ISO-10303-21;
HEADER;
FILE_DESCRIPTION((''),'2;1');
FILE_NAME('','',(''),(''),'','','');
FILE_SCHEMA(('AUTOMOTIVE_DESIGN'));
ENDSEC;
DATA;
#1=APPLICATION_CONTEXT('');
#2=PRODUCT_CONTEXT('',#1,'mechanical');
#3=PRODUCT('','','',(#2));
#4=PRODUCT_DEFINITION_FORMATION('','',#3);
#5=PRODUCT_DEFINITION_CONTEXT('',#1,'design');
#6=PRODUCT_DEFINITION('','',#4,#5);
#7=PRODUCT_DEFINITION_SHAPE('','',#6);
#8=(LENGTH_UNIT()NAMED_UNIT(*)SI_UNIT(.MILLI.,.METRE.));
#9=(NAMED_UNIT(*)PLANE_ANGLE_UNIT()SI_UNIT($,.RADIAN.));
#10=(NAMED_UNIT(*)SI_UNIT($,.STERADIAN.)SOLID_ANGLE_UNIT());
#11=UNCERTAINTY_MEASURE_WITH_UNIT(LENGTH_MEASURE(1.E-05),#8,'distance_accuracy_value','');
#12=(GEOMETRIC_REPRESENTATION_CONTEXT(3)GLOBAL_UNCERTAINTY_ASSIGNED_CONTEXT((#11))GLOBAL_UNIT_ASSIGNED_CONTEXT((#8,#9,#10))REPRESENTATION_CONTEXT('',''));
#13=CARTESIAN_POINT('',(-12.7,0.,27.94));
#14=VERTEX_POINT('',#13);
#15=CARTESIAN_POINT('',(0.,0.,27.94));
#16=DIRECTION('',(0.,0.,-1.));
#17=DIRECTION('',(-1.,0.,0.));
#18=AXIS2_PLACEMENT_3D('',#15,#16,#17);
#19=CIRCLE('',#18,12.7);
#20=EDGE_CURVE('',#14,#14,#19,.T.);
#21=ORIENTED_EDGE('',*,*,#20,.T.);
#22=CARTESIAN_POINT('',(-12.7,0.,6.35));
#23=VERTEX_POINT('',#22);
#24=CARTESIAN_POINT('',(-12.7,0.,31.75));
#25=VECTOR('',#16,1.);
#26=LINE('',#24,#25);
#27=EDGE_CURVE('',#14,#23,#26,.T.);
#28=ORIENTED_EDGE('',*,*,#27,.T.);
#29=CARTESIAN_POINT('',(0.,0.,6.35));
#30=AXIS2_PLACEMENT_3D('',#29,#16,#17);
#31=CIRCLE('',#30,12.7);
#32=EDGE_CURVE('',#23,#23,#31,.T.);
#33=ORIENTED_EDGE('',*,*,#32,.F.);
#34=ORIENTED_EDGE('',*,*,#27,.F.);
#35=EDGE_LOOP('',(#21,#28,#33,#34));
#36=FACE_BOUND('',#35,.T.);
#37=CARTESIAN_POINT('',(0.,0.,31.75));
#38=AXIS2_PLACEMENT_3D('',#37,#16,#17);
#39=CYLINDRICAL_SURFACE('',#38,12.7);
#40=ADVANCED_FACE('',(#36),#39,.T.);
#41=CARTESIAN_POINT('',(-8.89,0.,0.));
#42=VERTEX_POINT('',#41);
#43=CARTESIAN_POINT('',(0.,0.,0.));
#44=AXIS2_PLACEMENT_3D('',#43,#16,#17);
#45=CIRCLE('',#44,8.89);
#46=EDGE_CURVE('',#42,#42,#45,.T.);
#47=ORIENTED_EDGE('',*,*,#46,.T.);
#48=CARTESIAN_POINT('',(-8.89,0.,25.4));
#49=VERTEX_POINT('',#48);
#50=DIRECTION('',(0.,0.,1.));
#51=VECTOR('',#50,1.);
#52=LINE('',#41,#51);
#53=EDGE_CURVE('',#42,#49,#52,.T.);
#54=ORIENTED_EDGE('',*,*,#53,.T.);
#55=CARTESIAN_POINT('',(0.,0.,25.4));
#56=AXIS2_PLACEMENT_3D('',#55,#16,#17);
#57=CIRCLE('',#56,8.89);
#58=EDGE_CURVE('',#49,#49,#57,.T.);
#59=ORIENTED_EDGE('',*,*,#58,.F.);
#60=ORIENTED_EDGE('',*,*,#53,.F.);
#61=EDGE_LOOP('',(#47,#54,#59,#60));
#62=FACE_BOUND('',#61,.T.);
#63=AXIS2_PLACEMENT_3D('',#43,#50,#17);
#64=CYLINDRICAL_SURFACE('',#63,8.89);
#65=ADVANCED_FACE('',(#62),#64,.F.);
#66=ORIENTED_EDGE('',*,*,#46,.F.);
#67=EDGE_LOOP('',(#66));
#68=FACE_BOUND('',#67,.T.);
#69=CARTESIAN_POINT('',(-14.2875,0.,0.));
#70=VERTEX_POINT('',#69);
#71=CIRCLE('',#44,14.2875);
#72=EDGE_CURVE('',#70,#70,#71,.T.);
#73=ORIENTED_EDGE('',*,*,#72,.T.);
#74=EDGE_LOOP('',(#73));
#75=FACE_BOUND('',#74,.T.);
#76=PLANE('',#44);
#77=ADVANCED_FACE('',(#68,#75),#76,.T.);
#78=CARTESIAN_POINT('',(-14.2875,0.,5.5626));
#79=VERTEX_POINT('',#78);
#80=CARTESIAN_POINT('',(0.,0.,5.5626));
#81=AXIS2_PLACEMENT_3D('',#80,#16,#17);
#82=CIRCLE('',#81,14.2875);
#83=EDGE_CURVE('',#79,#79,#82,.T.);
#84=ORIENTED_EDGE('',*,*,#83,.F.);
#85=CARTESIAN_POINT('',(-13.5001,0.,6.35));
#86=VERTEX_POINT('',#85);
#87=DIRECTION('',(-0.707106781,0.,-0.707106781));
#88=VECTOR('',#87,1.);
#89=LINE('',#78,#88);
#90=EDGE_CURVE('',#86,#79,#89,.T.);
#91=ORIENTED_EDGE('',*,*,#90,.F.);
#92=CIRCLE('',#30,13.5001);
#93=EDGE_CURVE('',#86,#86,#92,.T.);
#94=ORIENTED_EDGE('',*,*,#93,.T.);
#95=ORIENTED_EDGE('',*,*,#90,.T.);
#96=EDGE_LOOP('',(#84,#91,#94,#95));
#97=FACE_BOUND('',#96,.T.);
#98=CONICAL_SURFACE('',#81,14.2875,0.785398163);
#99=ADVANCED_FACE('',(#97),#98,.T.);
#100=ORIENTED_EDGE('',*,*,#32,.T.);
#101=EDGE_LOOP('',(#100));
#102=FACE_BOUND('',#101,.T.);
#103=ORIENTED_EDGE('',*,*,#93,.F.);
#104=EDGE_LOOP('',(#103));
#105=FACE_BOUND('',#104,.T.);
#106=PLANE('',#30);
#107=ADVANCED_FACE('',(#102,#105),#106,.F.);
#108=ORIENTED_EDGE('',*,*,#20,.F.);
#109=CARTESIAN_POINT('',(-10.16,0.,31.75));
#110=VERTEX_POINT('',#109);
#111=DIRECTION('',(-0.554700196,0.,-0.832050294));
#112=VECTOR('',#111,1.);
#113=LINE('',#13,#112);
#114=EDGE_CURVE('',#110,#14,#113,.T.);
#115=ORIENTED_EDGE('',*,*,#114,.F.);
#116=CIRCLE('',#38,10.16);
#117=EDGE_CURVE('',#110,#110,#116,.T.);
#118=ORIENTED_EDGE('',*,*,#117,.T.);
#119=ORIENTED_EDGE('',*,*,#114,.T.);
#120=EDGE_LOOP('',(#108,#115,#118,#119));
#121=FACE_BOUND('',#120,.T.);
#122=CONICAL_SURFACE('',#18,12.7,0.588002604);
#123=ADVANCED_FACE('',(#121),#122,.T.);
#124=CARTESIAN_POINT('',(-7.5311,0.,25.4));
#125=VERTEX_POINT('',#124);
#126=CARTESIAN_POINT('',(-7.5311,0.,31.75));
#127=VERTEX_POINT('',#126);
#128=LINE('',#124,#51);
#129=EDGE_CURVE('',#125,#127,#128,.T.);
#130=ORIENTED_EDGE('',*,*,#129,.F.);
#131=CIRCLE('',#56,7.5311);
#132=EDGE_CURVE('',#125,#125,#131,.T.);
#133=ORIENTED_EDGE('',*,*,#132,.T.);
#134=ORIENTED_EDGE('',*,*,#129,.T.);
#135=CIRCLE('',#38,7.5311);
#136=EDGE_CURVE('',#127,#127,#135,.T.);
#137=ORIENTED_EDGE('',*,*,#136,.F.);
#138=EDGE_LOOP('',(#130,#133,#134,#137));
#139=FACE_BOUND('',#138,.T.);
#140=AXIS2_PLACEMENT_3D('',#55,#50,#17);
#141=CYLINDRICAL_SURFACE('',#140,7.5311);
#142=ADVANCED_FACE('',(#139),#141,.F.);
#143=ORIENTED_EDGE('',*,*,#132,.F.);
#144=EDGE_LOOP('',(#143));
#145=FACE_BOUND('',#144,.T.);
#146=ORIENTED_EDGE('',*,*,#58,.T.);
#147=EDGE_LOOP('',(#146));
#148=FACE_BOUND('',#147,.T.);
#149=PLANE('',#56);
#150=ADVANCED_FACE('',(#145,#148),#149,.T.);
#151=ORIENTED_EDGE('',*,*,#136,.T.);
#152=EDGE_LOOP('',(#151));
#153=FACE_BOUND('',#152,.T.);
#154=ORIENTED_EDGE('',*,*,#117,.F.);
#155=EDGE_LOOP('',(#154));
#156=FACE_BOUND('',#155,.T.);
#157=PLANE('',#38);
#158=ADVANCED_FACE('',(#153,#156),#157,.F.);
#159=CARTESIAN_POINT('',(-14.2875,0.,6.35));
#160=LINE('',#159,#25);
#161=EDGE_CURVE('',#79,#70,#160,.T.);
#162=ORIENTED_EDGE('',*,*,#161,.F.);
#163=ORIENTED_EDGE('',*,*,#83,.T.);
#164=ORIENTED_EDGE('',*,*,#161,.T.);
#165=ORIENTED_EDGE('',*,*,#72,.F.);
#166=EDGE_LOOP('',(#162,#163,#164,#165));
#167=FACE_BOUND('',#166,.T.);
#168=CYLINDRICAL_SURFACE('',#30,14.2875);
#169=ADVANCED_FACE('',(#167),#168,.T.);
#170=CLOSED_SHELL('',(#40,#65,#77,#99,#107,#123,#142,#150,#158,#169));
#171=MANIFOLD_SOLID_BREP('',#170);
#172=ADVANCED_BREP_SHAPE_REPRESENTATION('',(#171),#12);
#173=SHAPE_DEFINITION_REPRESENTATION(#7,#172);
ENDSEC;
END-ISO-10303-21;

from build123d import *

# Parameters (mm, degrees)
F2_SIZE2 = 3.81
F2_SIZE  = 2.54
F3_SIZE  = 0.7874


with BuildPart() as f1:
    # F0 (on Front) → F1 (revolve)
    with BuildSketch(Plane.XZ):
        Polygon((-14.2875, 0), (-8.89, 0), (-8.89, 25.4), (-7.5311, 25.4), (-7.5311, 31.75), (-12.7, 31.75), (-12.7, 6.35), (-14.2875, 6.35), align=None)
    revolve(axis=Axis((0, 0, 7.331744), (0, 0, -1)))

    # F2
    f2_edges = [f1.edges().sort_by_distance(p)[0] for p in [
        (12.7, 0, 31.75),
    ]]
    chamfer(f2_edges, length=F2_SIZE, length2=F2_SIZE2)

    # F3
    f3_edges = [f1.edges().sort_by_distance(p)[0] for p in [
        (14.2875, 0, 6.35),
    ]]
    chamfer(f3_edges, length=F3_SIZE)


solid = f1.part
